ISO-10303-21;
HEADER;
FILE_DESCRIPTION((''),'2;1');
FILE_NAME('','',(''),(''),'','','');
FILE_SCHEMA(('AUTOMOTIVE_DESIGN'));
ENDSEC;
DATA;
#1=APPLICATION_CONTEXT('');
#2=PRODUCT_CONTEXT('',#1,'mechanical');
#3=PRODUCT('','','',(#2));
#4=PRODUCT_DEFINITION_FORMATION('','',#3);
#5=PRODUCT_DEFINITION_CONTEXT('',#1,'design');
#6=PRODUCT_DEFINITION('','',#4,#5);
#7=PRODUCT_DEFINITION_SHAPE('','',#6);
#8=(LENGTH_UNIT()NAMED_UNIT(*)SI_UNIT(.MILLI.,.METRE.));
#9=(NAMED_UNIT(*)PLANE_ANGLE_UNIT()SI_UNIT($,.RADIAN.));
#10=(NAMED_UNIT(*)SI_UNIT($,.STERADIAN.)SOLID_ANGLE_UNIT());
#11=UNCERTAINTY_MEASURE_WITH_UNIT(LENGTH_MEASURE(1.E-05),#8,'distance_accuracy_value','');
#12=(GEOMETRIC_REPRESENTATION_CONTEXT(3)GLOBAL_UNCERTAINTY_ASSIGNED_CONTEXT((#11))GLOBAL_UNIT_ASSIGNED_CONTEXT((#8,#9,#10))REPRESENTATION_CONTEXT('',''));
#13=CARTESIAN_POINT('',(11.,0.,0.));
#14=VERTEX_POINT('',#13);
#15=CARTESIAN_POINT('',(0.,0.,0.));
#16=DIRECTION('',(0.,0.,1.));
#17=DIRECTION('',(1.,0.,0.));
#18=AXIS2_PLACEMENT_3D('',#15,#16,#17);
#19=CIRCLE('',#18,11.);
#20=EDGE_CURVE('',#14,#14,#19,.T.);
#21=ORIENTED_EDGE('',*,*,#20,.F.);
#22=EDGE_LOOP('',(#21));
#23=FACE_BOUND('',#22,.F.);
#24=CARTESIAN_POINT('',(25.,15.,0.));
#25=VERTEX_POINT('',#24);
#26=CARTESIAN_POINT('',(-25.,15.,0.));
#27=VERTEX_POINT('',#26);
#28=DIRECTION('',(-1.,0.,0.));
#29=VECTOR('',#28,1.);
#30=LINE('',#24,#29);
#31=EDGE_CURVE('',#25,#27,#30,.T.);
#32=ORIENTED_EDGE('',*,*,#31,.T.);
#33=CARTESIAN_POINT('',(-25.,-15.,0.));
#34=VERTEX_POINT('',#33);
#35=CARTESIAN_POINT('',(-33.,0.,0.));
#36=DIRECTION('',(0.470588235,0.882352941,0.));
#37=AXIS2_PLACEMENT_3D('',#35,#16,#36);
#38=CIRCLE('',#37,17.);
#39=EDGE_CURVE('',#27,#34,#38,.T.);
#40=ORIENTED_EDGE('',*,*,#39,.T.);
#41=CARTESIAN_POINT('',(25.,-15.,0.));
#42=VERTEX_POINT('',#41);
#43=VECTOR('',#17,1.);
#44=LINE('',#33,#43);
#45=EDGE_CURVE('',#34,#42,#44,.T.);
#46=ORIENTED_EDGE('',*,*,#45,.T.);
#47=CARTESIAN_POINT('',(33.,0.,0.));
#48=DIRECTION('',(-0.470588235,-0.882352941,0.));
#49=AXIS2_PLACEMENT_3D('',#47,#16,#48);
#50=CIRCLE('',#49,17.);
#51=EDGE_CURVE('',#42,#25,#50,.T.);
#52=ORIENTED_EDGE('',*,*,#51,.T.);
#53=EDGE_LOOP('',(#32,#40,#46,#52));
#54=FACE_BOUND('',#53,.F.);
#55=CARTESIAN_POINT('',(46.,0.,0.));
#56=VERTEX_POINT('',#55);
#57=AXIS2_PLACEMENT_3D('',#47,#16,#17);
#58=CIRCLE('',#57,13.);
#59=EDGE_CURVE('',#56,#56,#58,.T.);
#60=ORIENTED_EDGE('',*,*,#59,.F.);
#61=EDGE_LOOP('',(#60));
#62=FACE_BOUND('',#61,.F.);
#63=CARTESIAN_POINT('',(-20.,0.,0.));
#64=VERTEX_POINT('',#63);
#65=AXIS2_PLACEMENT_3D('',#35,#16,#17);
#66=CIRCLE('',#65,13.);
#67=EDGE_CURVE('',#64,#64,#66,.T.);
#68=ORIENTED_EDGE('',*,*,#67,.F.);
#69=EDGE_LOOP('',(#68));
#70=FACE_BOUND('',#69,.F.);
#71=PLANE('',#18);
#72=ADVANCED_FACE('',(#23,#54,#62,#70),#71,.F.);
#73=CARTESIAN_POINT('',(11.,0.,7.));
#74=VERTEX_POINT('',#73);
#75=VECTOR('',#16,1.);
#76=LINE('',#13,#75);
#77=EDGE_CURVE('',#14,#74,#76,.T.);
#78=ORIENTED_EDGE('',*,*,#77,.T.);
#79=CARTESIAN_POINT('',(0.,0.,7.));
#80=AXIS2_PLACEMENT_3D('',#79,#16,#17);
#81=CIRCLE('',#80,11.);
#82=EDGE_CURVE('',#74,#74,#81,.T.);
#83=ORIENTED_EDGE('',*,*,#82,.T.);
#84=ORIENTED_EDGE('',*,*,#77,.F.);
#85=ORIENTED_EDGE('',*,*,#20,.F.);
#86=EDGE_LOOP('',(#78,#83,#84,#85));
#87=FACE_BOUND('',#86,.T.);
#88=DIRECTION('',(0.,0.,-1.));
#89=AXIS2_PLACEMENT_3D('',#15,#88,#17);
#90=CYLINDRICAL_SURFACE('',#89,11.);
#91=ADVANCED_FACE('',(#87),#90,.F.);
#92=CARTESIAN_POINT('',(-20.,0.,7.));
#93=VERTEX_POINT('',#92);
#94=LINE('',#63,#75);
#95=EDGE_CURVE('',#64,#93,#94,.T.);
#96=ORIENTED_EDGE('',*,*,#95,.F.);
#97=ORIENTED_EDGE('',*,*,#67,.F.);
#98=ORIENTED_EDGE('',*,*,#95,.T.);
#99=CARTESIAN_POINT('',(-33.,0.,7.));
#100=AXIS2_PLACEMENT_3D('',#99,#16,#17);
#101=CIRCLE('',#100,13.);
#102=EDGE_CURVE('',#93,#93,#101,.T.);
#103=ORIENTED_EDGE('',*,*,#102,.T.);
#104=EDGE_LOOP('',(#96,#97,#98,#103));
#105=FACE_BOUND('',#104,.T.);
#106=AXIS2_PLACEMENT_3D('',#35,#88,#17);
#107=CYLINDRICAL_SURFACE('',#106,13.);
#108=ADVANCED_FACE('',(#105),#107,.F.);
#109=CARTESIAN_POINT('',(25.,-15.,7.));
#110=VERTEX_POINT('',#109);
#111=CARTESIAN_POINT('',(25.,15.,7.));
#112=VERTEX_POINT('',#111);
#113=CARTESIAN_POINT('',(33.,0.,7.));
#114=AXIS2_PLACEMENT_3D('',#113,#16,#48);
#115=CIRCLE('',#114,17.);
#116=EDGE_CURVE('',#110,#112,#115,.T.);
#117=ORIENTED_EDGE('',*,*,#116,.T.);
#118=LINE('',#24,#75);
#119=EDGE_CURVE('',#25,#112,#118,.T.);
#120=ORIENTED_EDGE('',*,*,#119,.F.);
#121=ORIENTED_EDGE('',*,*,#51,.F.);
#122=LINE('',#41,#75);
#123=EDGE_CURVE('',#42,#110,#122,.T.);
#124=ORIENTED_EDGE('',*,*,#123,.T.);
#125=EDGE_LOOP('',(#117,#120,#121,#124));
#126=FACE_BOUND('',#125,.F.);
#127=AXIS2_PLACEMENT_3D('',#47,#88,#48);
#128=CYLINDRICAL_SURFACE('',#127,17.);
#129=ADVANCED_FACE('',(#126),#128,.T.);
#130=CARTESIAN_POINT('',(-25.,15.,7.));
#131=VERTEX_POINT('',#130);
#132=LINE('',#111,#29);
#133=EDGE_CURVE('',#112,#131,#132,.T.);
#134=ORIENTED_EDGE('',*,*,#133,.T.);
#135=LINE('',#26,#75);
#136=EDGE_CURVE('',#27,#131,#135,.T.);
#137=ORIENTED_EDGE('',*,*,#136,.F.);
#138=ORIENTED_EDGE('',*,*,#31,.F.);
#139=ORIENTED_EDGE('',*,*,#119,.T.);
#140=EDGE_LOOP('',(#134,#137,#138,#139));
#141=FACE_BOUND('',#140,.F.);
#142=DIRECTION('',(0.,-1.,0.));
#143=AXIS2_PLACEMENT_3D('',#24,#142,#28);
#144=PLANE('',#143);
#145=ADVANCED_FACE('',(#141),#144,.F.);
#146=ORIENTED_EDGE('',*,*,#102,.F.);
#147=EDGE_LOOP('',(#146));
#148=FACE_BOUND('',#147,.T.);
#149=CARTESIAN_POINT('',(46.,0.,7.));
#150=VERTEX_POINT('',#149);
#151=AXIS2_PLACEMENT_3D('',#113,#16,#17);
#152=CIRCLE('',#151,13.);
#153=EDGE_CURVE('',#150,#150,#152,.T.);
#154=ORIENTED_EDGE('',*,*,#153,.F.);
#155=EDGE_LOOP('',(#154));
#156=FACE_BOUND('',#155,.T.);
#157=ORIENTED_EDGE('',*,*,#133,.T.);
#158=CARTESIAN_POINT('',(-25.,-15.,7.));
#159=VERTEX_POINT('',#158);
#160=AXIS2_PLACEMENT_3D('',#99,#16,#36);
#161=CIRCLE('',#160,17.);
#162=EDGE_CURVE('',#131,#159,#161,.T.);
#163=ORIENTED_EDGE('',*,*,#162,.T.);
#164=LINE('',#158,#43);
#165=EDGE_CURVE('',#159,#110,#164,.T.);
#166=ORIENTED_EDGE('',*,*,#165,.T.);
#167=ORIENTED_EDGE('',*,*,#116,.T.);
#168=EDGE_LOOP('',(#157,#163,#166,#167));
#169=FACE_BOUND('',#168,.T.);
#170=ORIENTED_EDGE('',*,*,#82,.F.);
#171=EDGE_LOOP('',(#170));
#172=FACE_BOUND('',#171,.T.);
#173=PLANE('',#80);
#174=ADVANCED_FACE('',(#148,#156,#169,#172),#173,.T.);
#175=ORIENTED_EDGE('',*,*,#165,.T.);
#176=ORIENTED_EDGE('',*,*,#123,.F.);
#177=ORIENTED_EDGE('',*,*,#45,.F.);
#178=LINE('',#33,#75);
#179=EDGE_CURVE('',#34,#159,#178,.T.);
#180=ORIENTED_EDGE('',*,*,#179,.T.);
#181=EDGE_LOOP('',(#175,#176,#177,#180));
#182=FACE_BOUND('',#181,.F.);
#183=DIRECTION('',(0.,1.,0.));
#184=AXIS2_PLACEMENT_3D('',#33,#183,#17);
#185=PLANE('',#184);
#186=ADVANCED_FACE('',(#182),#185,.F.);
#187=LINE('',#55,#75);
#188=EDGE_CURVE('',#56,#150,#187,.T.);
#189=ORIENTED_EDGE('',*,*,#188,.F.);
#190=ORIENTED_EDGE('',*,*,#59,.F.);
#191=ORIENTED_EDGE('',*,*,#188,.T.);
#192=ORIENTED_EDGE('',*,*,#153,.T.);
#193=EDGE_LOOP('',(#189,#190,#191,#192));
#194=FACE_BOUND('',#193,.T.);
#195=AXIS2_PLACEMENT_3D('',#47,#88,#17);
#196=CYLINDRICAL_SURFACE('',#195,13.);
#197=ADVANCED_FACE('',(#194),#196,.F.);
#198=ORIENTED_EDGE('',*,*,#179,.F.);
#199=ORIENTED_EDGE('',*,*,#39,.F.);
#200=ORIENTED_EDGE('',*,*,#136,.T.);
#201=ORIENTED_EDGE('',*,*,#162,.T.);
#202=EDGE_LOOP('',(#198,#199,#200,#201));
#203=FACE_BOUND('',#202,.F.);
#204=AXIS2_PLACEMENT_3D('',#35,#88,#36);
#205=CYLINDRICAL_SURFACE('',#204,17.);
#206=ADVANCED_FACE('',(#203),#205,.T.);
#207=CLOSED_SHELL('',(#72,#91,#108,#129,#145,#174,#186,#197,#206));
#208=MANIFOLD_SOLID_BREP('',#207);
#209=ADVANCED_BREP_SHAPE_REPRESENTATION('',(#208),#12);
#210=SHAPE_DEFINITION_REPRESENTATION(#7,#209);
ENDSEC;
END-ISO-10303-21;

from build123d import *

# Parameters (mm, degrees)
F0_R     = 13
F0_R_2   = 11
F1_DEPTH = 7


with BuildPart() as f1:
    # F0 (on Top) → F1 (new body)
    with BuildSketch(Plane.XY):
        with BuildLine():
            Line((25, 15), (-25, 15))
            ThreePointArc((-25, 15), (-50, 0), (-25, -15))
            Line((-25, -15), (0, -15))
            Line((0, -15), (25, -15))
            ThreePointArc((25, -15), (50, 0), (25, 15))
        make_face()
        with Locations((-33, 0)):
            Circle(F0_R, mode=Mode.SUBTRACT)
        Circle(F0_R_2, mode=Mode.SUBTRACT)
        with Locations((33, 0)):
            Circle(F0_R, mode=Mode.SUBTRACT)
    extrude(amount=F1_DEPTH)


solid = f1.part
